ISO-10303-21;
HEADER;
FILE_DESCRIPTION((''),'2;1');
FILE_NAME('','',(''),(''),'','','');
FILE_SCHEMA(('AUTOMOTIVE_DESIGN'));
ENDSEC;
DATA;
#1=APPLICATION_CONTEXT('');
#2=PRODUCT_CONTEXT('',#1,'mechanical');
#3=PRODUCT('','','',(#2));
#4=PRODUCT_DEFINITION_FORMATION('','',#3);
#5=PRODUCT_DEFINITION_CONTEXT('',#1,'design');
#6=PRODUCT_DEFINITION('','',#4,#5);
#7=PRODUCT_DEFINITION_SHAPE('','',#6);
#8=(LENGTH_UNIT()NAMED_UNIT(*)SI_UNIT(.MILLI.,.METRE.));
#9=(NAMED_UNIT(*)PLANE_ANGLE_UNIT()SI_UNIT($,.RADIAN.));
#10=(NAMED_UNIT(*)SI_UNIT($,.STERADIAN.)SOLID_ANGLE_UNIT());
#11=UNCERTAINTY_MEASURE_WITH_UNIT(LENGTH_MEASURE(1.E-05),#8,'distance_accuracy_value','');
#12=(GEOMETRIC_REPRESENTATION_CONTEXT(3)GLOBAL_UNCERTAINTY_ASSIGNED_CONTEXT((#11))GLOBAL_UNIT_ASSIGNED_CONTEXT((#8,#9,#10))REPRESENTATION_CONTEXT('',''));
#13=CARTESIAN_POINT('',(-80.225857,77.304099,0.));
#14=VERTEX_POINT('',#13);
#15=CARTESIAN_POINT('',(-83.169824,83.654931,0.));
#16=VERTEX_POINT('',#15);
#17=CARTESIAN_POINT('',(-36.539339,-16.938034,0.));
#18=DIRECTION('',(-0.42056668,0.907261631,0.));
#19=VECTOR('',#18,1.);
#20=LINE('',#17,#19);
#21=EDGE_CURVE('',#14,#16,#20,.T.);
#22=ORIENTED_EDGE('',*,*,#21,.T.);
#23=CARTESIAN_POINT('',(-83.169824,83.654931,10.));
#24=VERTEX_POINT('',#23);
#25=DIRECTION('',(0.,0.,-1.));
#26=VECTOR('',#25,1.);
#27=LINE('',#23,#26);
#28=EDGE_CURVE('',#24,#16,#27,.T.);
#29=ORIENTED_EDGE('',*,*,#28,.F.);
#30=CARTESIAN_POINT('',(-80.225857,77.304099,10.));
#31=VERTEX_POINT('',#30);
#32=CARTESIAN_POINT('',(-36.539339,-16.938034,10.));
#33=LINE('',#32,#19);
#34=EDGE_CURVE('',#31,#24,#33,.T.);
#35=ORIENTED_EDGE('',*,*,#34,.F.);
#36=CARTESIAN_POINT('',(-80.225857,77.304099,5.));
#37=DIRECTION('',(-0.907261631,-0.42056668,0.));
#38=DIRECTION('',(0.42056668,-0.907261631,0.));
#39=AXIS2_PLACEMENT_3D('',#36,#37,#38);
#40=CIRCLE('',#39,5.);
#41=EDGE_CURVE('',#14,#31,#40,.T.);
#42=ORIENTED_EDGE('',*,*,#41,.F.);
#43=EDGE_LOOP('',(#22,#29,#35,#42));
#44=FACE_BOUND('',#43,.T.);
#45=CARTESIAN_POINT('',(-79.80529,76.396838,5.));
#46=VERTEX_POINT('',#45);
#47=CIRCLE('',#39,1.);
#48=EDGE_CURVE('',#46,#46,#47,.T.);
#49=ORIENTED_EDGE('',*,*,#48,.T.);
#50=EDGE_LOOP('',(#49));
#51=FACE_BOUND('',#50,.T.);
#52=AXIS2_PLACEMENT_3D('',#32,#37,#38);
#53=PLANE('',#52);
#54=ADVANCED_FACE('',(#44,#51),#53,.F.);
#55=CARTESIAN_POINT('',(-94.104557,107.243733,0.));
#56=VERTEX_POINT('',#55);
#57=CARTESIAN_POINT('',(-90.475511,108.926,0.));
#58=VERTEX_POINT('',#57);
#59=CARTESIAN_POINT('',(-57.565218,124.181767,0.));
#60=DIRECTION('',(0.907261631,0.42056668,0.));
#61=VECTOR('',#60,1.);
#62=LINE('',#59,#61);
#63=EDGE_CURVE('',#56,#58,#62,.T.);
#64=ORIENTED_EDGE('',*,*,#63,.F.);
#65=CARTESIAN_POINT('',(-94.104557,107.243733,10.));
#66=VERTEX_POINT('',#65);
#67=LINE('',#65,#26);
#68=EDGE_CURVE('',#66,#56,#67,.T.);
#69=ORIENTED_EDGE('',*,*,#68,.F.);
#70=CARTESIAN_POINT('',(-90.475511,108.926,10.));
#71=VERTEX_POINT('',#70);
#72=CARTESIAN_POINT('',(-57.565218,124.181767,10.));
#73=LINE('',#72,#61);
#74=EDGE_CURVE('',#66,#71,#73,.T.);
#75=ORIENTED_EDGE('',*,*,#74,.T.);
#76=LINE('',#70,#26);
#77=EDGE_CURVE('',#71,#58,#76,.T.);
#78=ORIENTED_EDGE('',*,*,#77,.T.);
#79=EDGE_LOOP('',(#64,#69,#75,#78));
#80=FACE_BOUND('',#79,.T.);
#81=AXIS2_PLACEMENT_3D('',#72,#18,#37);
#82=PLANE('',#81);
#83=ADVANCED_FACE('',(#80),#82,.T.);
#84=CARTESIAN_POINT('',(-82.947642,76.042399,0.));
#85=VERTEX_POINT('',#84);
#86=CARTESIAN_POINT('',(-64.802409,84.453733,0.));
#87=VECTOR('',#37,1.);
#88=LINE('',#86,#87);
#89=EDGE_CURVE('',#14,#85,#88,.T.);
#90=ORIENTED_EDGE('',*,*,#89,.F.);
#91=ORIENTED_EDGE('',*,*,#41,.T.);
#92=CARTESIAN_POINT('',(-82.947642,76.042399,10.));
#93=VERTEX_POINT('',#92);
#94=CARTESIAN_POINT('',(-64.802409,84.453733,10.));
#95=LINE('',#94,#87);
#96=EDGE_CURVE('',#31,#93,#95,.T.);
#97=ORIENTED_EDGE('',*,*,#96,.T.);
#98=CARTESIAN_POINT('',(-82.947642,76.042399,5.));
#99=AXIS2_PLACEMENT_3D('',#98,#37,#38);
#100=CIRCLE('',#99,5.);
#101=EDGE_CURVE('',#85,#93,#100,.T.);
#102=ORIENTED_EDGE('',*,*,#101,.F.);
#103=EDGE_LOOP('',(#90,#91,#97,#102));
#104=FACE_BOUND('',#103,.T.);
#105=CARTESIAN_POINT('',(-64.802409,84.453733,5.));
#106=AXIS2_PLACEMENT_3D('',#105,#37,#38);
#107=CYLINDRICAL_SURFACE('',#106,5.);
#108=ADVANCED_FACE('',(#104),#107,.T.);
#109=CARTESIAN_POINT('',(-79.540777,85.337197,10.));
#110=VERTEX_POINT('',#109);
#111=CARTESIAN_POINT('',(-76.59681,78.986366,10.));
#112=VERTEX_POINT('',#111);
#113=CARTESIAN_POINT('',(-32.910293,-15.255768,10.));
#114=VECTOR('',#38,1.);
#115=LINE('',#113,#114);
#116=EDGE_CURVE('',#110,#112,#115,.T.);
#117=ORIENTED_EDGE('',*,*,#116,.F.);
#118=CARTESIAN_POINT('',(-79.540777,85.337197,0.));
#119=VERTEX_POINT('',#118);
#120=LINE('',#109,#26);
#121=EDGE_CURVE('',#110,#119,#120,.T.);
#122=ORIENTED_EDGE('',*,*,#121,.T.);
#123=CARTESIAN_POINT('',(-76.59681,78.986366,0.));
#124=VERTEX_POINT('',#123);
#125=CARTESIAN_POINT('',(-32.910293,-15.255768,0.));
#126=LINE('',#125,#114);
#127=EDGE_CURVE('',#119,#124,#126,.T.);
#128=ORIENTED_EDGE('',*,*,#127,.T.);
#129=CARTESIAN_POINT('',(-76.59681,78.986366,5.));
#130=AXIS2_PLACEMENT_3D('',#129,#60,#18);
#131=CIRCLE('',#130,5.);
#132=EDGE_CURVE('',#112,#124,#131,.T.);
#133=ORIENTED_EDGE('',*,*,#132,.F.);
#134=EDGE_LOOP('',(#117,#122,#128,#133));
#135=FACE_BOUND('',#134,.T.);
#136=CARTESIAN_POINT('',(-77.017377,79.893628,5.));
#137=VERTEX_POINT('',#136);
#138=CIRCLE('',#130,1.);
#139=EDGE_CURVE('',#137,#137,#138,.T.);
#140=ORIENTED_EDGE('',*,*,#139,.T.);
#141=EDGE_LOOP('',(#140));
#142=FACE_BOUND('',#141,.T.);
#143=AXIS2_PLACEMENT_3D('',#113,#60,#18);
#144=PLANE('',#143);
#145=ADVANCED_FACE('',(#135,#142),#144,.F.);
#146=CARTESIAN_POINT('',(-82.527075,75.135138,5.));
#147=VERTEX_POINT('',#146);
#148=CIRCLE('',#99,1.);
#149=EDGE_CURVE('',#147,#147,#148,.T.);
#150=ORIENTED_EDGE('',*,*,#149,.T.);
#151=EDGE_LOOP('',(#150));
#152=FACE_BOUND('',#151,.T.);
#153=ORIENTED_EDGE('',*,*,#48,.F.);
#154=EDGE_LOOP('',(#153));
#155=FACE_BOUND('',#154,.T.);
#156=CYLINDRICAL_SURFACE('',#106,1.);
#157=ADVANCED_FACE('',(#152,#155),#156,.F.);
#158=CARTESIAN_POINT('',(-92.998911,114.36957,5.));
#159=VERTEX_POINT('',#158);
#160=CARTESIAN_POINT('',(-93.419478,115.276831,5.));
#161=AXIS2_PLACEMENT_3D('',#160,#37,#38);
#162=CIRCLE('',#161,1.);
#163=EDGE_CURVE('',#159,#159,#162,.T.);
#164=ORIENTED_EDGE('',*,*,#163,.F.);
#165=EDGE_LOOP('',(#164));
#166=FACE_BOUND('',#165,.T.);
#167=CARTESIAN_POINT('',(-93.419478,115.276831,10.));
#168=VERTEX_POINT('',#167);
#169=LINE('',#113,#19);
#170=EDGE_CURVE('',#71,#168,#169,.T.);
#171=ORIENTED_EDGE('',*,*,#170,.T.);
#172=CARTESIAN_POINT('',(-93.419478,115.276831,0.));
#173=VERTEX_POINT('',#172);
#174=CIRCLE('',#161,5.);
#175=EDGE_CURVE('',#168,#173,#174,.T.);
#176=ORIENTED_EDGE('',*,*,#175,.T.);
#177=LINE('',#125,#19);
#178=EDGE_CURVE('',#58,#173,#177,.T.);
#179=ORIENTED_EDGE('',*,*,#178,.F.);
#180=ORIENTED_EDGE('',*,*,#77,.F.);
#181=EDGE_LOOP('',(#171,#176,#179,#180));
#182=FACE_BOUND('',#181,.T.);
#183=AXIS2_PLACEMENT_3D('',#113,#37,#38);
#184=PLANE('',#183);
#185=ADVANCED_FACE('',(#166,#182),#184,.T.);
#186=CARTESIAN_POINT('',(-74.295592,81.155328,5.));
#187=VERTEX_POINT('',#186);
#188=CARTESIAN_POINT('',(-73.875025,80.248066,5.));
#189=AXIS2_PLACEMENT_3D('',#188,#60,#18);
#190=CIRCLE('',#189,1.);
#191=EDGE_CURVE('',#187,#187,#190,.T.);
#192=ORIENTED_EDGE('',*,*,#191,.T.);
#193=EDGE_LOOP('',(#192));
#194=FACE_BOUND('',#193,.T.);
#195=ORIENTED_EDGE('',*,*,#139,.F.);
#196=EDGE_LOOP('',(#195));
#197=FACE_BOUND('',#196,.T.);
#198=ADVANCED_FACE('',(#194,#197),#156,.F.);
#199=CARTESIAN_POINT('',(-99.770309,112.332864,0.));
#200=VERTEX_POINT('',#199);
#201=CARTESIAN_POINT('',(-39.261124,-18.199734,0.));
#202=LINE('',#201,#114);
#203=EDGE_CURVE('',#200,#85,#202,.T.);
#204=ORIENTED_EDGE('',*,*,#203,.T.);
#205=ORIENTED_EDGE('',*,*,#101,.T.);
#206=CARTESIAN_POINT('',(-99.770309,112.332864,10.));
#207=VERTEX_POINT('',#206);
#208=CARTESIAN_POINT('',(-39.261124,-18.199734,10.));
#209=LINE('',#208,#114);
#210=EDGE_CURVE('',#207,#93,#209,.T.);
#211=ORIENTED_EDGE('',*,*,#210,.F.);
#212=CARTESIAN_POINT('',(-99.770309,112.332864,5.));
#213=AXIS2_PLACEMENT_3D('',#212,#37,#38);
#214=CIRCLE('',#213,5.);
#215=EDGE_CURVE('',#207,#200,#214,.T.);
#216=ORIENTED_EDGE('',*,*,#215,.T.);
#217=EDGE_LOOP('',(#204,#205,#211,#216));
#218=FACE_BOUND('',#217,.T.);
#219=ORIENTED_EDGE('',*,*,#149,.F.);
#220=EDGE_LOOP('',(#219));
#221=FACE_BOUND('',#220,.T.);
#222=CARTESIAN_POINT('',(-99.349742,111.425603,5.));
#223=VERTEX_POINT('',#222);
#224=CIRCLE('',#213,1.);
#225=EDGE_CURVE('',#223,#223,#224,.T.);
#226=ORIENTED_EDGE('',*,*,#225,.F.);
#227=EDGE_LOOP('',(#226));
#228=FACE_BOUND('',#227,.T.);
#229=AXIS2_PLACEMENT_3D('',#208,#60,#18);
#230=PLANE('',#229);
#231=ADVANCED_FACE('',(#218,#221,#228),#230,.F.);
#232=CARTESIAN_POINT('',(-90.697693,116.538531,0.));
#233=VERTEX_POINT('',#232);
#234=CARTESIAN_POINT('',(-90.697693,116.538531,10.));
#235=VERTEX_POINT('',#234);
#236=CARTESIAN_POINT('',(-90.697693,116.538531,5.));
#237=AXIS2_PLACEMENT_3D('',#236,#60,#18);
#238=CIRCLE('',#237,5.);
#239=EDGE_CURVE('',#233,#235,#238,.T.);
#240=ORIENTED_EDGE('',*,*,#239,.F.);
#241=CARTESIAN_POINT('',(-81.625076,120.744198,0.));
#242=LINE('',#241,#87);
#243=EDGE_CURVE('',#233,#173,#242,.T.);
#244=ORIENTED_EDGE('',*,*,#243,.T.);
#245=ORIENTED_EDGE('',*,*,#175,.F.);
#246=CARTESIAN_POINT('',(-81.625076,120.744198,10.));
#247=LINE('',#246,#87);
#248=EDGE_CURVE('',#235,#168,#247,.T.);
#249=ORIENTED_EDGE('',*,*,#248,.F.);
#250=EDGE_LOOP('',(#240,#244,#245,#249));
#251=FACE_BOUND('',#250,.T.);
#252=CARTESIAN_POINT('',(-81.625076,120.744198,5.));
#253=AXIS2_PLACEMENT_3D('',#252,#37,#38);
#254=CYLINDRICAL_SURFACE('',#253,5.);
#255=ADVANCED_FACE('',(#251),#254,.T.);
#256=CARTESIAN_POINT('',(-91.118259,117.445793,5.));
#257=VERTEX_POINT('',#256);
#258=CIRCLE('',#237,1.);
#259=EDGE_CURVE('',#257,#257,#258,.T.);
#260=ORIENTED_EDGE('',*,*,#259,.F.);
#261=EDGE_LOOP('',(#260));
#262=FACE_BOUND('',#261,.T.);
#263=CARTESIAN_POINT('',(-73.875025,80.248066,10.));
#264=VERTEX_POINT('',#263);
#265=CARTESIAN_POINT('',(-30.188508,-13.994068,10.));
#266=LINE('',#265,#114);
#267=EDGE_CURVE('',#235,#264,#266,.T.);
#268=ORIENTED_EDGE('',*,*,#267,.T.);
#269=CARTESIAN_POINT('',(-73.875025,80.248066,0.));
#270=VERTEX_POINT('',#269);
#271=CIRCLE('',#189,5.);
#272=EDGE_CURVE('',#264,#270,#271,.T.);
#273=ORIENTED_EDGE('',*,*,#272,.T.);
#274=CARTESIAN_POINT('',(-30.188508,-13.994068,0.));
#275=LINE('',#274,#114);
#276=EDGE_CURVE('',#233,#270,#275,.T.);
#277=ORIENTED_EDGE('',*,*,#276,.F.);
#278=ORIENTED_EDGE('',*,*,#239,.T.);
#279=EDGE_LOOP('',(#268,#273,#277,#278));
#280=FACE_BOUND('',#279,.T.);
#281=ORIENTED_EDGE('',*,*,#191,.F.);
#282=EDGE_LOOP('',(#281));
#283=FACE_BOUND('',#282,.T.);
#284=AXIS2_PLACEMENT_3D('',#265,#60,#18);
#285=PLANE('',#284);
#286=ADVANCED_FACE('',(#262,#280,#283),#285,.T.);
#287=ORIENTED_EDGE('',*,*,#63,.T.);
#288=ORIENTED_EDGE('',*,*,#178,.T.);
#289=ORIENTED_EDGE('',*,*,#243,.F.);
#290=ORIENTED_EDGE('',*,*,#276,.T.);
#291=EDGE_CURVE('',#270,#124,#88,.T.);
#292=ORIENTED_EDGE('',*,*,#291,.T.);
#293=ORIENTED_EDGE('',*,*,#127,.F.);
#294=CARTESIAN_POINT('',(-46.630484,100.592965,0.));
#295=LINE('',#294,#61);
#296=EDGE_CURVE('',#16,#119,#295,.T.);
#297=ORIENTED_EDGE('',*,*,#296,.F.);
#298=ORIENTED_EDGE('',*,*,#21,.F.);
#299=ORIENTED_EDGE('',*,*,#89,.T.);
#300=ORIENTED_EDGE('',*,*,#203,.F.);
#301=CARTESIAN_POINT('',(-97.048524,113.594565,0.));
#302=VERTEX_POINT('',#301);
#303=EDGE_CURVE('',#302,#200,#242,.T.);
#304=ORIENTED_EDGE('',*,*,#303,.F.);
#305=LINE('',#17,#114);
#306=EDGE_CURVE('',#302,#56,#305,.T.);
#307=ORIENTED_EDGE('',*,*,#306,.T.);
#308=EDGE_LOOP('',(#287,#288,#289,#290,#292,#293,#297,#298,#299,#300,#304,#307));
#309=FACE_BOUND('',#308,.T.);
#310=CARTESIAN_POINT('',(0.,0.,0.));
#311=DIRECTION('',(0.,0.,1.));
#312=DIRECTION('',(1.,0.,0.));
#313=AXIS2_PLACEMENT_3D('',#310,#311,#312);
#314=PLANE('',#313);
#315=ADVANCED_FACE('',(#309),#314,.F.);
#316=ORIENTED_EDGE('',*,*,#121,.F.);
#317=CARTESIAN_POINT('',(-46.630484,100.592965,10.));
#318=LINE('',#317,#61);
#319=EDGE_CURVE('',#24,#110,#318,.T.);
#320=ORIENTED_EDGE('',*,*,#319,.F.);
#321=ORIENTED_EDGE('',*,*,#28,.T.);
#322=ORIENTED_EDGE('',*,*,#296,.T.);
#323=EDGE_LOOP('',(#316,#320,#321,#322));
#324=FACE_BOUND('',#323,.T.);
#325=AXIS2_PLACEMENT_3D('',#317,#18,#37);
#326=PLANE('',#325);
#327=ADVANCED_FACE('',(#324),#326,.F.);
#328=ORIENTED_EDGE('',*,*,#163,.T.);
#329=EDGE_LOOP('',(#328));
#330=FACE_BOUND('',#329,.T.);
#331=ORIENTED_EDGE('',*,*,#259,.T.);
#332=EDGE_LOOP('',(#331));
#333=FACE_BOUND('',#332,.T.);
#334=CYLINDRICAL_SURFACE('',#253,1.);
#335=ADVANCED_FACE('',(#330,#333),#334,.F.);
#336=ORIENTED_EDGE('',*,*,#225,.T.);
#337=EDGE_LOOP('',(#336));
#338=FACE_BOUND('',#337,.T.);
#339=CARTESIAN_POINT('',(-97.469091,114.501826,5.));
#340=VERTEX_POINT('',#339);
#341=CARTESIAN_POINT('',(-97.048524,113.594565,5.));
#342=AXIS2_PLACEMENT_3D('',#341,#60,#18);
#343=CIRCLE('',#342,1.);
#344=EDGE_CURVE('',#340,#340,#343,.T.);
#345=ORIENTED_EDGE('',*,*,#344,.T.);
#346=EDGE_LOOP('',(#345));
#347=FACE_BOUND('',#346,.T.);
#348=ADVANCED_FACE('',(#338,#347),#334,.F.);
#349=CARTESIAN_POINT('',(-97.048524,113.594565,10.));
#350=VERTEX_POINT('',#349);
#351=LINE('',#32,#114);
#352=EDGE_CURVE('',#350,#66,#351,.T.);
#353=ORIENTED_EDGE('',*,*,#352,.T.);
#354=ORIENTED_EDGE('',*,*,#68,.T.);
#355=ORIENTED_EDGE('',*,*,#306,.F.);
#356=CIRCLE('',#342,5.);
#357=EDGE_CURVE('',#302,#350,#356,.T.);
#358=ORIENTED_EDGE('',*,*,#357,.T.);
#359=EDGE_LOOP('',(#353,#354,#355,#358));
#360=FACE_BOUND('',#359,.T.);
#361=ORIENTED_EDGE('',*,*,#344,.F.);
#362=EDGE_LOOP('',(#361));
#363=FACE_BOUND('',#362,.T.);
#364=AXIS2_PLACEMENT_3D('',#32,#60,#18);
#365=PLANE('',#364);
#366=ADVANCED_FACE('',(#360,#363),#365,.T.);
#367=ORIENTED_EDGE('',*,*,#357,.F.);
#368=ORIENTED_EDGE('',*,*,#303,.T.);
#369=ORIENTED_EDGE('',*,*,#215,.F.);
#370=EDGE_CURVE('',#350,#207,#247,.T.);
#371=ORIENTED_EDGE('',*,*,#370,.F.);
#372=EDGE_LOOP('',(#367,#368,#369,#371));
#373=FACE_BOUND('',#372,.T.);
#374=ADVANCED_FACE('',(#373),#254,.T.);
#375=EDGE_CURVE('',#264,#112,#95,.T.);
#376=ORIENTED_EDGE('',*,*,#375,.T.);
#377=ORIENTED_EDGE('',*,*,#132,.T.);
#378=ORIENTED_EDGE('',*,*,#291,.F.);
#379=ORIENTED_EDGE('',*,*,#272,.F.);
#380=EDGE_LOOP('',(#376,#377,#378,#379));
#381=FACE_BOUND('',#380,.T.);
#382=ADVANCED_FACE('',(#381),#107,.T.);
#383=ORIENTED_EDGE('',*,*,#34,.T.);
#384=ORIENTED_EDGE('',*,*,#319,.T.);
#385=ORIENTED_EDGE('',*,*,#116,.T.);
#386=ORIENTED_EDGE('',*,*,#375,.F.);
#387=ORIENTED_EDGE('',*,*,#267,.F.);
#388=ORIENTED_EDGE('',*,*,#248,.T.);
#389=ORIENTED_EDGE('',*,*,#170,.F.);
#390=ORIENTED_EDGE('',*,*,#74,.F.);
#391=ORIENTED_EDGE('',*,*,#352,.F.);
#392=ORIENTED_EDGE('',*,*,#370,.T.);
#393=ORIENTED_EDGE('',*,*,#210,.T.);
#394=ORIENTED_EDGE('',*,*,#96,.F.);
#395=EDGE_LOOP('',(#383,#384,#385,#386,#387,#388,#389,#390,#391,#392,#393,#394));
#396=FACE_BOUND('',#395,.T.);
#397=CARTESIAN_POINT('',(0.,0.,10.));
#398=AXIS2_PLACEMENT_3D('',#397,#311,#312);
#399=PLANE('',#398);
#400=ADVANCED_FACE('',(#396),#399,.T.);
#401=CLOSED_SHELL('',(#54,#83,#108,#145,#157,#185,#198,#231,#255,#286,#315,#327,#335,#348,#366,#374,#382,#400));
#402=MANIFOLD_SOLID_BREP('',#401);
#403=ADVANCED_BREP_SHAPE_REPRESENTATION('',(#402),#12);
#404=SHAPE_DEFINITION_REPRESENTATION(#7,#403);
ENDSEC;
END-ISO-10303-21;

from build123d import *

# Parameters (mm, degrees)
BOSS_EXTRU_1_DEPTH      = 10
ESQUISSE2_R             = 1
ENL_V_MAT_EXTRU_1_DEPTH = 20


with BuildPart() as part:
    # Esquisse1 → Boss.-Extru.1 (new body)
    with BuildSketch(Plane.XY):
        Polygon((-99.151357472, 118.130872671), (-101.873142366, 116.869172631), (-80.844808358, 71.506091068), (-78.123023465, 72.767791109), (-83.169823626, 83.654930684), (-79.540777101, 85.337197404), (-74.49397694, 74.450057829), (-71.772192046, 75.71175787), (-92.800526053, 121.074839432), (-95.522310947, 119.813139392), (-90.475510785, 108.925999817), (-94.10455731, 107.243733096), align=None)
    extrude(amount=BOSS_EXTRU_1_DEPTH)

    # Esquisse2 → Enlèv. mat.-Extru.1 (cut)
    with BuildSketch(Plane(origin=(-39.261124148, -18.199734313, 0), x_dir=(0, 0, 1), z_dir=(-0.9072616312569982, -0.42056668014583676, 0))):
        with BuildLine():
            ThreePointArc((0, 143.875365486), (1.464466094, 147.410899392), (5, 148.875365486))
            Line((5, 148.875365486), (0, 148.875365486))
            Line((0, 148.875365486), (0, 143.875365486))
        make_face()
        with BuildLine():
            ThreePointArc((5, 148.875365486), (8.535533906, 147.410899392), (10, 143.875365486))
            Line((10, 143.875365486), (10, 148.875365486))
            Line((10, 148.875365486), (5, 148.875365486))
        make_face()
        with Locations(Location((5, 143.875365486, 0), (0, 0, 270))):
            Circle(ESQUISSE2_R)
        with BuildLine():
            Line((10, 98.875365486), (10, 103.875365486))
            ThreePointArc((10, 103.875365486), (8.535533906, 100.33983158), (5, 98.875365486))
            Line((5, 98.875365486), (10, 98.875365486))
        make_face()
        with BuildLine():
            Line((0, 98.875365486), (5, 98.875365486))
            ThreePointArc((5, 98.875365486), (1.464466094, 100.33983158), (0, 103.875365486))
            Line((0, 103.875365486), (0, 98.875365486))
        make_face()
        with Locations(Location((5, 103.875365486, 0), (0, 0, 270))):
            Circle(ESQUISSE2_R)
    extrude(amount=-ENL_V_MAT_EXTRU_1_DEPTH, mode=Mode.SUBTRACT)


solid = part.part
